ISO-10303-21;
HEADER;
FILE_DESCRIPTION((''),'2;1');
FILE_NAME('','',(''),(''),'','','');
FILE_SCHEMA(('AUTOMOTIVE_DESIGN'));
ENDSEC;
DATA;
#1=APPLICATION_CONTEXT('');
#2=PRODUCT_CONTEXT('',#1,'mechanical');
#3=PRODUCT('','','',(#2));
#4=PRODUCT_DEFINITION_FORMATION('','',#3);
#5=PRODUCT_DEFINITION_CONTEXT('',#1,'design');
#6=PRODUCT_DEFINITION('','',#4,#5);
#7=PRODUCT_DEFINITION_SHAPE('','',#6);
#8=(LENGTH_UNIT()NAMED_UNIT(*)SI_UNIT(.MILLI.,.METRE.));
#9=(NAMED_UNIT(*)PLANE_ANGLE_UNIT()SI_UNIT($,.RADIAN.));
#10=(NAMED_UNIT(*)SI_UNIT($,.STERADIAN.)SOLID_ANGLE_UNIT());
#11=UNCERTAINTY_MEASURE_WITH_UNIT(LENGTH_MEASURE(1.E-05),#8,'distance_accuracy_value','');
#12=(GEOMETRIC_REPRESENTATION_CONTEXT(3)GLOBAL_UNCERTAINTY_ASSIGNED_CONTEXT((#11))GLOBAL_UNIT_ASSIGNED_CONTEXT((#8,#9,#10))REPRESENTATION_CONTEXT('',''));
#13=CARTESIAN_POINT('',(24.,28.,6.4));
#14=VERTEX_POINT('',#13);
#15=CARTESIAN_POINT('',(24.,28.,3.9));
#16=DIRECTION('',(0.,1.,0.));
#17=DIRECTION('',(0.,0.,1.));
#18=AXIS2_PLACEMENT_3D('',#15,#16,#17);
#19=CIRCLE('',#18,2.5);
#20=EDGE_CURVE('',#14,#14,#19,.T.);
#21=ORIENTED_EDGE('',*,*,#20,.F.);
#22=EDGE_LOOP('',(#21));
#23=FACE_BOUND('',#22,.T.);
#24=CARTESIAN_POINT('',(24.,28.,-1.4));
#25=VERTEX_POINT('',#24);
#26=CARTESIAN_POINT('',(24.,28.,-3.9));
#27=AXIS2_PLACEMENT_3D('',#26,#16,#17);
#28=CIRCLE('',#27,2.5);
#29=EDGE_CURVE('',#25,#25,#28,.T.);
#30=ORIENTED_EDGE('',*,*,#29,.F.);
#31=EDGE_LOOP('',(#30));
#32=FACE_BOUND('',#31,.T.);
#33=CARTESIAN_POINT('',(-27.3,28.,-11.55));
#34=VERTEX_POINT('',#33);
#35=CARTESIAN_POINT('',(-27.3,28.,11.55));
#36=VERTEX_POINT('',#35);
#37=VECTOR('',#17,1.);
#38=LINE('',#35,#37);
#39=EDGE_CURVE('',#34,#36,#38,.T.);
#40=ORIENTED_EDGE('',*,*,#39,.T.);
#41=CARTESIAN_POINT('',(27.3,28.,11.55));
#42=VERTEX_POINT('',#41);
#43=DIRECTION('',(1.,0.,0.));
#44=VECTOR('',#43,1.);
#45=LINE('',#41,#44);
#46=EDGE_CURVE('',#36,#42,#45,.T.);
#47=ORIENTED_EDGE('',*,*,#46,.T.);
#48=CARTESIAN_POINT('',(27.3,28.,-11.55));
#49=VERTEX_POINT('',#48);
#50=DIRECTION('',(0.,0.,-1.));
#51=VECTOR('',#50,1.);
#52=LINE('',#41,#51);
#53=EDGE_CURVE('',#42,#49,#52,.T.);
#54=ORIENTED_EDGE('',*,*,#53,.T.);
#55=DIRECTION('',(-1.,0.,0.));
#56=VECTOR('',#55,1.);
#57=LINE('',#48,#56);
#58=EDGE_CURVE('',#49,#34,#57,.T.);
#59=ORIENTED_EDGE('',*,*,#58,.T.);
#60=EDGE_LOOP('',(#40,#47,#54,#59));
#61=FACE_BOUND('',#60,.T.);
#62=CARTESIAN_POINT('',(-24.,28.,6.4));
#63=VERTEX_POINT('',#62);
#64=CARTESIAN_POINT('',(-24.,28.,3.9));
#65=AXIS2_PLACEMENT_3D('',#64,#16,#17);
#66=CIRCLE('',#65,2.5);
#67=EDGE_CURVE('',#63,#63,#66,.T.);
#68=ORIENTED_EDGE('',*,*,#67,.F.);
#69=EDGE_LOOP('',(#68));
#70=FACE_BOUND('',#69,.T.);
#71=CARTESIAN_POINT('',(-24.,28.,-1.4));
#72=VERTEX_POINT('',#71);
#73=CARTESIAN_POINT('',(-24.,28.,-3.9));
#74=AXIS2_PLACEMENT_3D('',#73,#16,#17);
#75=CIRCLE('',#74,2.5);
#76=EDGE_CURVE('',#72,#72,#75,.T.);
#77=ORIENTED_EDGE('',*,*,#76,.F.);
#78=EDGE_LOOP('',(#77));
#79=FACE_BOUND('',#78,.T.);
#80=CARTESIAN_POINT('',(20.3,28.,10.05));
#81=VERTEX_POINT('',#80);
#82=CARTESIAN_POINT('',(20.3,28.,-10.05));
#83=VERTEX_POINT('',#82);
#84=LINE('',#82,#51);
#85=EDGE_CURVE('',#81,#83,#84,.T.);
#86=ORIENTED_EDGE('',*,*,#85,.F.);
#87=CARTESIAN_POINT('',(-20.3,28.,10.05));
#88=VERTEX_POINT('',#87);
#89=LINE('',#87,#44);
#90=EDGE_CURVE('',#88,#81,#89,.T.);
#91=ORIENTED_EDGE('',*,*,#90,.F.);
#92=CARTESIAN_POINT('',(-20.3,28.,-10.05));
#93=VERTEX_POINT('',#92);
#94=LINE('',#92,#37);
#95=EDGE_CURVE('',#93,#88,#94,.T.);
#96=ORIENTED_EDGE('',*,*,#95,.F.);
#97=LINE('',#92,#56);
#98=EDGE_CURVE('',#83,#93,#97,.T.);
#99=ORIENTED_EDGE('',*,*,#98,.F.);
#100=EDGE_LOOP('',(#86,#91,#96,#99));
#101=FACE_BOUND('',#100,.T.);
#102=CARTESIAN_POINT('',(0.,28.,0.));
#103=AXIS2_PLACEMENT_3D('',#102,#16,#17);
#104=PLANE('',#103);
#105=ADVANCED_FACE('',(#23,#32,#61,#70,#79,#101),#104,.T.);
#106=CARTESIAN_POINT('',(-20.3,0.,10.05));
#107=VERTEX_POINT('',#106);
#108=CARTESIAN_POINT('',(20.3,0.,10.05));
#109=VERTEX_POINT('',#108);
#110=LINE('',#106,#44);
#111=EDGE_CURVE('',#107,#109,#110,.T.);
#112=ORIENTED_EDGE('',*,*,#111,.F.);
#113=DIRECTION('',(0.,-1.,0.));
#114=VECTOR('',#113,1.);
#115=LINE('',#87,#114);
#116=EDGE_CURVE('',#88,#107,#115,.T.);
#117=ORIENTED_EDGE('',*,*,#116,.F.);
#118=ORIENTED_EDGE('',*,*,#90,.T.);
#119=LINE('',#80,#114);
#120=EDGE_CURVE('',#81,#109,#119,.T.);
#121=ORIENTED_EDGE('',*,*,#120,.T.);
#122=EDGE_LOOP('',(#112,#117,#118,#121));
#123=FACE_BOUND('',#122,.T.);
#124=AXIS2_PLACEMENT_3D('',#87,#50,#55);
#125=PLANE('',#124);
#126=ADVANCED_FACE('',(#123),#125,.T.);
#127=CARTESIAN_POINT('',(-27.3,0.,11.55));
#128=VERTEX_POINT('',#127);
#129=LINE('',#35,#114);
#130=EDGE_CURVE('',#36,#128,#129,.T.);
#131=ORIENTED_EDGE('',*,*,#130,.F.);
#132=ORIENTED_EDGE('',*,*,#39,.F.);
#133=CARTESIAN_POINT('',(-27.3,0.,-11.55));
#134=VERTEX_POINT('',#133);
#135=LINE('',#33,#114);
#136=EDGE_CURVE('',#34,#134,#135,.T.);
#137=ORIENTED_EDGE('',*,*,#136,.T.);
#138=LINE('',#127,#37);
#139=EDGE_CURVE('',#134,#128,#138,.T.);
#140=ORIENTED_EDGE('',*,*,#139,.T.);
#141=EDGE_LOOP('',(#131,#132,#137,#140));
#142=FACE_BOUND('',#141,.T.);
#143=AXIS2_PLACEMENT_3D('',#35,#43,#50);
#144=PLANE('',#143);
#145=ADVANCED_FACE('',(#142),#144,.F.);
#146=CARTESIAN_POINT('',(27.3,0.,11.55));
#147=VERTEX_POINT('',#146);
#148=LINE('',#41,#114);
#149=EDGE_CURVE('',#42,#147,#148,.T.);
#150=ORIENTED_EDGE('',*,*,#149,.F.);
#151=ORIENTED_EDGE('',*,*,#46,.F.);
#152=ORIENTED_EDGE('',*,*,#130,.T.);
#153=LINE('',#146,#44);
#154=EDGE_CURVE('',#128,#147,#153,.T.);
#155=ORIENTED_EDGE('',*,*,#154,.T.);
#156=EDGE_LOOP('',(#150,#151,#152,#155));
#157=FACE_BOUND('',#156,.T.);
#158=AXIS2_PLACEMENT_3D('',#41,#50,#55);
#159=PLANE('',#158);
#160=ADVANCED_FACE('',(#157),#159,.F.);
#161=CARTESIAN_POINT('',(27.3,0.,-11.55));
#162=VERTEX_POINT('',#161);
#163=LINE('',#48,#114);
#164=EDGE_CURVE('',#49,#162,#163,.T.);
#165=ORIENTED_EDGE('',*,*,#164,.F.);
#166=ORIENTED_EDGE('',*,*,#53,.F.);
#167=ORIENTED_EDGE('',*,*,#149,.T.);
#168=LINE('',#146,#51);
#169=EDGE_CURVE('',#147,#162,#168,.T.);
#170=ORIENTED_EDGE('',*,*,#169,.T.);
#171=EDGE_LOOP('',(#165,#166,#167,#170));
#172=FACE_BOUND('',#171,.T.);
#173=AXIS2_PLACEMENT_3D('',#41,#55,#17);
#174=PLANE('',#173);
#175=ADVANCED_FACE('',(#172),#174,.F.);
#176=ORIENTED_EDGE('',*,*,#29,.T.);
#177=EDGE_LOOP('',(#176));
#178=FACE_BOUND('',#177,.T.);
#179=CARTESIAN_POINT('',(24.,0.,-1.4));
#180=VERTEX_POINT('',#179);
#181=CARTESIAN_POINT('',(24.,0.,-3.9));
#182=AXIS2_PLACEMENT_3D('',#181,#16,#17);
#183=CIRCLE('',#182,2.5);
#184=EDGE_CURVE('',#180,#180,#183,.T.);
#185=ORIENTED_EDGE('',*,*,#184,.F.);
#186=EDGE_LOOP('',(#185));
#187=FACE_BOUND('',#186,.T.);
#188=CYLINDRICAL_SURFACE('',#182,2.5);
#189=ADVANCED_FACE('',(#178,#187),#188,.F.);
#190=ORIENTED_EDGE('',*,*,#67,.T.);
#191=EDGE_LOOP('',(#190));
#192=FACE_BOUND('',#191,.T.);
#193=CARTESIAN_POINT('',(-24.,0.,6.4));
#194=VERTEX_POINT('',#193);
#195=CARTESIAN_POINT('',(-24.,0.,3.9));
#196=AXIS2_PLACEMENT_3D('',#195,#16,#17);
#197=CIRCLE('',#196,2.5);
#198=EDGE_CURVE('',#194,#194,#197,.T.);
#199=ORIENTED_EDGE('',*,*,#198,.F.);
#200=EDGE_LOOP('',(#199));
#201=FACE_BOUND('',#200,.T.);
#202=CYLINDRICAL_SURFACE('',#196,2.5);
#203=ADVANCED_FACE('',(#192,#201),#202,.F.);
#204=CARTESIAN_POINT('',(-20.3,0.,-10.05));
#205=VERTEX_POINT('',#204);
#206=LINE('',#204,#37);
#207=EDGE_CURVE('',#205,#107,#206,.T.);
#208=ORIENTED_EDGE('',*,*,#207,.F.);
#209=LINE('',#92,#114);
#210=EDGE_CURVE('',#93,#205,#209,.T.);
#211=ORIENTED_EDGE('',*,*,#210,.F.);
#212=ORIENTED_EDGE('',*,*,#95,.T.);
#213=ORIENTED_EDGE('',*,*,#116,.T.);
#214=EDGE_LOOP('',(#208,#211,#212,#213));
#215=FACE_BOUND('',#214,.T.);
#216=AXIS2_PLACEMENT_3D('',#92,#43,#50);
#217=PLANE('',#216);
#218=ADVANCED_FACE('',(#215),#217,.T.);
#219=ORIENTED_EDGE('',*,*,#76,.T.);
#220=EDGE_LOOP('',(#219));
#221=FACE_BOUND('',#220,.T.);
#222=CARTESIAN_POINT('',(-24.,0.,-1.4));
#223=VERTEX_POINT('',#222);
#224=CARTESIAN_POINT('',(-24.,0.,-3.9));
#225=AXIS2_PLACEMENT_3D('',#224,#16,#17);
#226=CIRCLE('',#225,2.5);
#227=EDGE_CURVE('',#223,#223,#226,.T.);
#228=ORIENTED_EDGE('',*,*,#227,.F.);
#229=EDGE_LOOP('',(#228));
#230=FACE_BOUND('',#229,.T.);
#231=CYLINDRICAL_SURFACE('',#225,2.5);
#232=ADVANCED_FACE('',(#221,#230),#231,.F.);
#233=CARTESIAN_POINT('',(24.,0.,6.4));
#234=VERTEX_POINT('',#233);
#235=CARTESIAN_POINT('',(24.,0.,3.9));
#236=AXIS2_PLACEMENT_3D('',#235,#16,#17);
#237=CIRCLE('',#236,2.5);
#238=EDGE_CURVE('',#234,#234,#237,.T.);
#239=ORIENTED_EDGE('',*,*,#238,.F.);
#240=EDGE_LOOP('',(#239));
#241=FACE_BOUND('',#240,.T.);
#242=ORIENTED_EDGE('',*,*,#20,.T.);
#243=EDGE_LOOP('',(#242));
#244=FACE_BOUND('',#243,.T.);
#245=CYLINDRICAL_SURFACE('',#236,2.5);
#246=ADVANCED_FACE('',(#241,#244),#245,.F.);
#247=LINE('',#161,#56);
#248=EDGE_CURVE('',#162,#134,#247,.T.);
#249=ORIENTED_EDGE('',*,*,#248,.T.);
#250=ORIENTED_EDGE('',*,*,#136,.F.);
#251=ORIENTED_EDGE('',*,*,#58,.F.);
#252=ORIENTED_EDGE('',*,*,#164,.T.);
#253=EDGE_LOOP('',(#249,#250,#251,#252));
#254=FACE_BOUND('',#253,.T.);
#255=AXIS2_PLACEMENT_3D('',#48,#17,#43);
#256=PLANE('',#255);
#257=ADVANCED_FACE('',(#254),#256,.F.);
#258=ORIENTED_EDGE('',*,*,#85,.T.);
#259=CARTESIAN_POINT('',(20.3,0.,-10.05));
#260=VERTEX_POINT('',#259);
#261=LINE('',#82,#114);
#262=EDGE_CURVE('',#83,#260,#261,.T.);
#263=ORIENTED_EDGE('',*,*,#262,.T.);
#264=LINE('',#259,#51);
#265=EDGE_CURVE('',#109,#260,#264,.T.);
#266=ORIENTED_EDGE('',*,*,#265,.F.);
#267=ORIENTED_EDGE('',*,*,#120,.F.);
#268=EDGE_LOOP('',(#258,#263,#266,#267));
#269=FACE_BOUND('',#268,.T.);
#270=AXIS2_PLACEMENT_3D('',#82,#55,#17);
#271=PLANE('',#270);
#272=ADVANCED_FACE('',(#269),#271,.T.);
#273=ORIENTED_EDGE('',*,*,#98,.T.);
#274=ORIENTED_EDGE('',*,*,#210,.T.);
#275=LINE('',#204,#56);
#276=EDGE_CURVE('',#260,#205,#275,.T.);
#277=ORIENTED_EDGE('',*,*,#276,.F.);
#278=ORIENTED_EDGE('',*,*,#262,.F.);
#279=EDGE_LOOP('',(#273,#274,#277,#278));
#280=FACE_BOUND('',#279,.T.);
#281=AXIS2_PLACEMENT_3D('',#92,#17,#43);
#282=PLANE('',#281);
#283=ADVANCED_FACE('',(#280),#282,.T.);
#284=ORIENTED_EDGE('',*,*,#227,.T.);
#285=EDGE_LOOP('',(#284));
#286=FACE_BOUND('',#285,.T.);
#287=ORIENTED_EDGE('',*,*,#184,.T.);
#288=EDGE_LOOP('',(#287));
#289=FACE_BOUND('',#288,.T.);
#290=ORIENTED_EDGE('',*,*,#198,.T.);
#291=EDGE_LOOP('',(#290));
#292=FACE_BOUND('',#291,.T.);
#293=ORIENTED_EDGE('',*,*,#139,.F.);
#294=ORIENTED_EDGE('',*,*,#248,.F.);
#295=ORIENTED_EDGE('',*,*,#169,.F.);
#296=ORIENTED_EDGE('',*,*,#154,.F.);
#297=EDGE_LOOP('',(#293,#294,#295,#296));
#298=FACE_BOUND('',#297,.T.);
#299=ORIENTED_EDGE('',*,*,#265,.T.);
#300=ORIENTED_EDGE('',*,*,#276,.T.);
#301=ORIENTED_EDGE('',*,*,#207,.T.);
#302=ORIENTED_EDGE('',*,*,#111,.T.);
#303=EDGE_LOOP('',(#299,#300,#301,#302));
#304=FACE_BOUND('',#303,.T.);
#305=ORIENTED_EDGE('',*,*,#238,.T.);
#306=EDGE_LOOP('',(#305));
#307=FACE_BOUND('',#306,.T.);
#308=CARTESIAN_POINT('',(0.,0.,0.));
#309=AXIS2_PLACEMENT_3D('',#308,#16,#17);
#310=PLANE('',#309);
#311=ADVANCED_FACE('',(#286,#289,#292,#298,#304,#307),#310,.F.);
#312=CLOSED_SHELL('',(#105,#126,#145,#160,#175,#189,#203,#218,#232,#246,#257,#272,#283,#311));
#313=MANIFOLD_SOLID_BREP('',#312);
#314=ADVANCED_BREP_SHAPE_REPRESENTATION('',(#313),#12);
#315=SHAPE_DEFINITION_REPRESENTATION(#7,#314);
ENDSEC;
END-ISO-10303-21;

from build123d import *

# Parameters (mm, degrees)
SKETCH2_W           = 54.6
SKETCH2_H           = 23.1
SKETCH2_W_2         = 40.6
SKETCH2_H_2         = 20.1
BOSS_EXTRUDE2_DEPTH = 28
SKETCH3_R           = 2.5
CUT_EXTRUDE1_DEPTH  = 41.776126594


with BuildPart() as part:
    # Sketch2 → Boss-Extrude2 (new body)
    with BuildSketch(Plane(origin=(0, 0, 0), x_dir=(1, 0, 0), z_dir=(0, 1, 0))):
        Rectangle(SKETCH2_W, SKETCH2_H)
        Rectangle(SKETCH2_W_2, SKETCH2_H_2, mode=Mode.SUBTRACT)
    extrude(amount=BOSS_EXTRUDE2_DEPTH)

    # Sketch3 → Cut-Extrude1 (cut, through all)
    with BuildSketch(Plane(origin=(0, 28, 0), x_dir=(1, 0, 0), z_dir=(0, 1, 0))):
        with Locations(Location((-24, 3.9, 0), (0, 0, 270))):
            Circle(SKETCH3_R)
        with Locations(Location((24, 3.9, 0), (0, 0, 270))):
            Circle(SKETCH3_R)
        with Locations(Location((24, -3.9, 0), (0, 0, 270))):
            Circle(SKETCH3_R)
        with Locations(Location((-24, -3.9, 0), (0, 0, 270))):
            Circle(SKETCH3_R)
    extrude(amount=-CUT_EXTRUDE1_DEPTH, mode=Mode.SUBTRACT)


solid = part.part
